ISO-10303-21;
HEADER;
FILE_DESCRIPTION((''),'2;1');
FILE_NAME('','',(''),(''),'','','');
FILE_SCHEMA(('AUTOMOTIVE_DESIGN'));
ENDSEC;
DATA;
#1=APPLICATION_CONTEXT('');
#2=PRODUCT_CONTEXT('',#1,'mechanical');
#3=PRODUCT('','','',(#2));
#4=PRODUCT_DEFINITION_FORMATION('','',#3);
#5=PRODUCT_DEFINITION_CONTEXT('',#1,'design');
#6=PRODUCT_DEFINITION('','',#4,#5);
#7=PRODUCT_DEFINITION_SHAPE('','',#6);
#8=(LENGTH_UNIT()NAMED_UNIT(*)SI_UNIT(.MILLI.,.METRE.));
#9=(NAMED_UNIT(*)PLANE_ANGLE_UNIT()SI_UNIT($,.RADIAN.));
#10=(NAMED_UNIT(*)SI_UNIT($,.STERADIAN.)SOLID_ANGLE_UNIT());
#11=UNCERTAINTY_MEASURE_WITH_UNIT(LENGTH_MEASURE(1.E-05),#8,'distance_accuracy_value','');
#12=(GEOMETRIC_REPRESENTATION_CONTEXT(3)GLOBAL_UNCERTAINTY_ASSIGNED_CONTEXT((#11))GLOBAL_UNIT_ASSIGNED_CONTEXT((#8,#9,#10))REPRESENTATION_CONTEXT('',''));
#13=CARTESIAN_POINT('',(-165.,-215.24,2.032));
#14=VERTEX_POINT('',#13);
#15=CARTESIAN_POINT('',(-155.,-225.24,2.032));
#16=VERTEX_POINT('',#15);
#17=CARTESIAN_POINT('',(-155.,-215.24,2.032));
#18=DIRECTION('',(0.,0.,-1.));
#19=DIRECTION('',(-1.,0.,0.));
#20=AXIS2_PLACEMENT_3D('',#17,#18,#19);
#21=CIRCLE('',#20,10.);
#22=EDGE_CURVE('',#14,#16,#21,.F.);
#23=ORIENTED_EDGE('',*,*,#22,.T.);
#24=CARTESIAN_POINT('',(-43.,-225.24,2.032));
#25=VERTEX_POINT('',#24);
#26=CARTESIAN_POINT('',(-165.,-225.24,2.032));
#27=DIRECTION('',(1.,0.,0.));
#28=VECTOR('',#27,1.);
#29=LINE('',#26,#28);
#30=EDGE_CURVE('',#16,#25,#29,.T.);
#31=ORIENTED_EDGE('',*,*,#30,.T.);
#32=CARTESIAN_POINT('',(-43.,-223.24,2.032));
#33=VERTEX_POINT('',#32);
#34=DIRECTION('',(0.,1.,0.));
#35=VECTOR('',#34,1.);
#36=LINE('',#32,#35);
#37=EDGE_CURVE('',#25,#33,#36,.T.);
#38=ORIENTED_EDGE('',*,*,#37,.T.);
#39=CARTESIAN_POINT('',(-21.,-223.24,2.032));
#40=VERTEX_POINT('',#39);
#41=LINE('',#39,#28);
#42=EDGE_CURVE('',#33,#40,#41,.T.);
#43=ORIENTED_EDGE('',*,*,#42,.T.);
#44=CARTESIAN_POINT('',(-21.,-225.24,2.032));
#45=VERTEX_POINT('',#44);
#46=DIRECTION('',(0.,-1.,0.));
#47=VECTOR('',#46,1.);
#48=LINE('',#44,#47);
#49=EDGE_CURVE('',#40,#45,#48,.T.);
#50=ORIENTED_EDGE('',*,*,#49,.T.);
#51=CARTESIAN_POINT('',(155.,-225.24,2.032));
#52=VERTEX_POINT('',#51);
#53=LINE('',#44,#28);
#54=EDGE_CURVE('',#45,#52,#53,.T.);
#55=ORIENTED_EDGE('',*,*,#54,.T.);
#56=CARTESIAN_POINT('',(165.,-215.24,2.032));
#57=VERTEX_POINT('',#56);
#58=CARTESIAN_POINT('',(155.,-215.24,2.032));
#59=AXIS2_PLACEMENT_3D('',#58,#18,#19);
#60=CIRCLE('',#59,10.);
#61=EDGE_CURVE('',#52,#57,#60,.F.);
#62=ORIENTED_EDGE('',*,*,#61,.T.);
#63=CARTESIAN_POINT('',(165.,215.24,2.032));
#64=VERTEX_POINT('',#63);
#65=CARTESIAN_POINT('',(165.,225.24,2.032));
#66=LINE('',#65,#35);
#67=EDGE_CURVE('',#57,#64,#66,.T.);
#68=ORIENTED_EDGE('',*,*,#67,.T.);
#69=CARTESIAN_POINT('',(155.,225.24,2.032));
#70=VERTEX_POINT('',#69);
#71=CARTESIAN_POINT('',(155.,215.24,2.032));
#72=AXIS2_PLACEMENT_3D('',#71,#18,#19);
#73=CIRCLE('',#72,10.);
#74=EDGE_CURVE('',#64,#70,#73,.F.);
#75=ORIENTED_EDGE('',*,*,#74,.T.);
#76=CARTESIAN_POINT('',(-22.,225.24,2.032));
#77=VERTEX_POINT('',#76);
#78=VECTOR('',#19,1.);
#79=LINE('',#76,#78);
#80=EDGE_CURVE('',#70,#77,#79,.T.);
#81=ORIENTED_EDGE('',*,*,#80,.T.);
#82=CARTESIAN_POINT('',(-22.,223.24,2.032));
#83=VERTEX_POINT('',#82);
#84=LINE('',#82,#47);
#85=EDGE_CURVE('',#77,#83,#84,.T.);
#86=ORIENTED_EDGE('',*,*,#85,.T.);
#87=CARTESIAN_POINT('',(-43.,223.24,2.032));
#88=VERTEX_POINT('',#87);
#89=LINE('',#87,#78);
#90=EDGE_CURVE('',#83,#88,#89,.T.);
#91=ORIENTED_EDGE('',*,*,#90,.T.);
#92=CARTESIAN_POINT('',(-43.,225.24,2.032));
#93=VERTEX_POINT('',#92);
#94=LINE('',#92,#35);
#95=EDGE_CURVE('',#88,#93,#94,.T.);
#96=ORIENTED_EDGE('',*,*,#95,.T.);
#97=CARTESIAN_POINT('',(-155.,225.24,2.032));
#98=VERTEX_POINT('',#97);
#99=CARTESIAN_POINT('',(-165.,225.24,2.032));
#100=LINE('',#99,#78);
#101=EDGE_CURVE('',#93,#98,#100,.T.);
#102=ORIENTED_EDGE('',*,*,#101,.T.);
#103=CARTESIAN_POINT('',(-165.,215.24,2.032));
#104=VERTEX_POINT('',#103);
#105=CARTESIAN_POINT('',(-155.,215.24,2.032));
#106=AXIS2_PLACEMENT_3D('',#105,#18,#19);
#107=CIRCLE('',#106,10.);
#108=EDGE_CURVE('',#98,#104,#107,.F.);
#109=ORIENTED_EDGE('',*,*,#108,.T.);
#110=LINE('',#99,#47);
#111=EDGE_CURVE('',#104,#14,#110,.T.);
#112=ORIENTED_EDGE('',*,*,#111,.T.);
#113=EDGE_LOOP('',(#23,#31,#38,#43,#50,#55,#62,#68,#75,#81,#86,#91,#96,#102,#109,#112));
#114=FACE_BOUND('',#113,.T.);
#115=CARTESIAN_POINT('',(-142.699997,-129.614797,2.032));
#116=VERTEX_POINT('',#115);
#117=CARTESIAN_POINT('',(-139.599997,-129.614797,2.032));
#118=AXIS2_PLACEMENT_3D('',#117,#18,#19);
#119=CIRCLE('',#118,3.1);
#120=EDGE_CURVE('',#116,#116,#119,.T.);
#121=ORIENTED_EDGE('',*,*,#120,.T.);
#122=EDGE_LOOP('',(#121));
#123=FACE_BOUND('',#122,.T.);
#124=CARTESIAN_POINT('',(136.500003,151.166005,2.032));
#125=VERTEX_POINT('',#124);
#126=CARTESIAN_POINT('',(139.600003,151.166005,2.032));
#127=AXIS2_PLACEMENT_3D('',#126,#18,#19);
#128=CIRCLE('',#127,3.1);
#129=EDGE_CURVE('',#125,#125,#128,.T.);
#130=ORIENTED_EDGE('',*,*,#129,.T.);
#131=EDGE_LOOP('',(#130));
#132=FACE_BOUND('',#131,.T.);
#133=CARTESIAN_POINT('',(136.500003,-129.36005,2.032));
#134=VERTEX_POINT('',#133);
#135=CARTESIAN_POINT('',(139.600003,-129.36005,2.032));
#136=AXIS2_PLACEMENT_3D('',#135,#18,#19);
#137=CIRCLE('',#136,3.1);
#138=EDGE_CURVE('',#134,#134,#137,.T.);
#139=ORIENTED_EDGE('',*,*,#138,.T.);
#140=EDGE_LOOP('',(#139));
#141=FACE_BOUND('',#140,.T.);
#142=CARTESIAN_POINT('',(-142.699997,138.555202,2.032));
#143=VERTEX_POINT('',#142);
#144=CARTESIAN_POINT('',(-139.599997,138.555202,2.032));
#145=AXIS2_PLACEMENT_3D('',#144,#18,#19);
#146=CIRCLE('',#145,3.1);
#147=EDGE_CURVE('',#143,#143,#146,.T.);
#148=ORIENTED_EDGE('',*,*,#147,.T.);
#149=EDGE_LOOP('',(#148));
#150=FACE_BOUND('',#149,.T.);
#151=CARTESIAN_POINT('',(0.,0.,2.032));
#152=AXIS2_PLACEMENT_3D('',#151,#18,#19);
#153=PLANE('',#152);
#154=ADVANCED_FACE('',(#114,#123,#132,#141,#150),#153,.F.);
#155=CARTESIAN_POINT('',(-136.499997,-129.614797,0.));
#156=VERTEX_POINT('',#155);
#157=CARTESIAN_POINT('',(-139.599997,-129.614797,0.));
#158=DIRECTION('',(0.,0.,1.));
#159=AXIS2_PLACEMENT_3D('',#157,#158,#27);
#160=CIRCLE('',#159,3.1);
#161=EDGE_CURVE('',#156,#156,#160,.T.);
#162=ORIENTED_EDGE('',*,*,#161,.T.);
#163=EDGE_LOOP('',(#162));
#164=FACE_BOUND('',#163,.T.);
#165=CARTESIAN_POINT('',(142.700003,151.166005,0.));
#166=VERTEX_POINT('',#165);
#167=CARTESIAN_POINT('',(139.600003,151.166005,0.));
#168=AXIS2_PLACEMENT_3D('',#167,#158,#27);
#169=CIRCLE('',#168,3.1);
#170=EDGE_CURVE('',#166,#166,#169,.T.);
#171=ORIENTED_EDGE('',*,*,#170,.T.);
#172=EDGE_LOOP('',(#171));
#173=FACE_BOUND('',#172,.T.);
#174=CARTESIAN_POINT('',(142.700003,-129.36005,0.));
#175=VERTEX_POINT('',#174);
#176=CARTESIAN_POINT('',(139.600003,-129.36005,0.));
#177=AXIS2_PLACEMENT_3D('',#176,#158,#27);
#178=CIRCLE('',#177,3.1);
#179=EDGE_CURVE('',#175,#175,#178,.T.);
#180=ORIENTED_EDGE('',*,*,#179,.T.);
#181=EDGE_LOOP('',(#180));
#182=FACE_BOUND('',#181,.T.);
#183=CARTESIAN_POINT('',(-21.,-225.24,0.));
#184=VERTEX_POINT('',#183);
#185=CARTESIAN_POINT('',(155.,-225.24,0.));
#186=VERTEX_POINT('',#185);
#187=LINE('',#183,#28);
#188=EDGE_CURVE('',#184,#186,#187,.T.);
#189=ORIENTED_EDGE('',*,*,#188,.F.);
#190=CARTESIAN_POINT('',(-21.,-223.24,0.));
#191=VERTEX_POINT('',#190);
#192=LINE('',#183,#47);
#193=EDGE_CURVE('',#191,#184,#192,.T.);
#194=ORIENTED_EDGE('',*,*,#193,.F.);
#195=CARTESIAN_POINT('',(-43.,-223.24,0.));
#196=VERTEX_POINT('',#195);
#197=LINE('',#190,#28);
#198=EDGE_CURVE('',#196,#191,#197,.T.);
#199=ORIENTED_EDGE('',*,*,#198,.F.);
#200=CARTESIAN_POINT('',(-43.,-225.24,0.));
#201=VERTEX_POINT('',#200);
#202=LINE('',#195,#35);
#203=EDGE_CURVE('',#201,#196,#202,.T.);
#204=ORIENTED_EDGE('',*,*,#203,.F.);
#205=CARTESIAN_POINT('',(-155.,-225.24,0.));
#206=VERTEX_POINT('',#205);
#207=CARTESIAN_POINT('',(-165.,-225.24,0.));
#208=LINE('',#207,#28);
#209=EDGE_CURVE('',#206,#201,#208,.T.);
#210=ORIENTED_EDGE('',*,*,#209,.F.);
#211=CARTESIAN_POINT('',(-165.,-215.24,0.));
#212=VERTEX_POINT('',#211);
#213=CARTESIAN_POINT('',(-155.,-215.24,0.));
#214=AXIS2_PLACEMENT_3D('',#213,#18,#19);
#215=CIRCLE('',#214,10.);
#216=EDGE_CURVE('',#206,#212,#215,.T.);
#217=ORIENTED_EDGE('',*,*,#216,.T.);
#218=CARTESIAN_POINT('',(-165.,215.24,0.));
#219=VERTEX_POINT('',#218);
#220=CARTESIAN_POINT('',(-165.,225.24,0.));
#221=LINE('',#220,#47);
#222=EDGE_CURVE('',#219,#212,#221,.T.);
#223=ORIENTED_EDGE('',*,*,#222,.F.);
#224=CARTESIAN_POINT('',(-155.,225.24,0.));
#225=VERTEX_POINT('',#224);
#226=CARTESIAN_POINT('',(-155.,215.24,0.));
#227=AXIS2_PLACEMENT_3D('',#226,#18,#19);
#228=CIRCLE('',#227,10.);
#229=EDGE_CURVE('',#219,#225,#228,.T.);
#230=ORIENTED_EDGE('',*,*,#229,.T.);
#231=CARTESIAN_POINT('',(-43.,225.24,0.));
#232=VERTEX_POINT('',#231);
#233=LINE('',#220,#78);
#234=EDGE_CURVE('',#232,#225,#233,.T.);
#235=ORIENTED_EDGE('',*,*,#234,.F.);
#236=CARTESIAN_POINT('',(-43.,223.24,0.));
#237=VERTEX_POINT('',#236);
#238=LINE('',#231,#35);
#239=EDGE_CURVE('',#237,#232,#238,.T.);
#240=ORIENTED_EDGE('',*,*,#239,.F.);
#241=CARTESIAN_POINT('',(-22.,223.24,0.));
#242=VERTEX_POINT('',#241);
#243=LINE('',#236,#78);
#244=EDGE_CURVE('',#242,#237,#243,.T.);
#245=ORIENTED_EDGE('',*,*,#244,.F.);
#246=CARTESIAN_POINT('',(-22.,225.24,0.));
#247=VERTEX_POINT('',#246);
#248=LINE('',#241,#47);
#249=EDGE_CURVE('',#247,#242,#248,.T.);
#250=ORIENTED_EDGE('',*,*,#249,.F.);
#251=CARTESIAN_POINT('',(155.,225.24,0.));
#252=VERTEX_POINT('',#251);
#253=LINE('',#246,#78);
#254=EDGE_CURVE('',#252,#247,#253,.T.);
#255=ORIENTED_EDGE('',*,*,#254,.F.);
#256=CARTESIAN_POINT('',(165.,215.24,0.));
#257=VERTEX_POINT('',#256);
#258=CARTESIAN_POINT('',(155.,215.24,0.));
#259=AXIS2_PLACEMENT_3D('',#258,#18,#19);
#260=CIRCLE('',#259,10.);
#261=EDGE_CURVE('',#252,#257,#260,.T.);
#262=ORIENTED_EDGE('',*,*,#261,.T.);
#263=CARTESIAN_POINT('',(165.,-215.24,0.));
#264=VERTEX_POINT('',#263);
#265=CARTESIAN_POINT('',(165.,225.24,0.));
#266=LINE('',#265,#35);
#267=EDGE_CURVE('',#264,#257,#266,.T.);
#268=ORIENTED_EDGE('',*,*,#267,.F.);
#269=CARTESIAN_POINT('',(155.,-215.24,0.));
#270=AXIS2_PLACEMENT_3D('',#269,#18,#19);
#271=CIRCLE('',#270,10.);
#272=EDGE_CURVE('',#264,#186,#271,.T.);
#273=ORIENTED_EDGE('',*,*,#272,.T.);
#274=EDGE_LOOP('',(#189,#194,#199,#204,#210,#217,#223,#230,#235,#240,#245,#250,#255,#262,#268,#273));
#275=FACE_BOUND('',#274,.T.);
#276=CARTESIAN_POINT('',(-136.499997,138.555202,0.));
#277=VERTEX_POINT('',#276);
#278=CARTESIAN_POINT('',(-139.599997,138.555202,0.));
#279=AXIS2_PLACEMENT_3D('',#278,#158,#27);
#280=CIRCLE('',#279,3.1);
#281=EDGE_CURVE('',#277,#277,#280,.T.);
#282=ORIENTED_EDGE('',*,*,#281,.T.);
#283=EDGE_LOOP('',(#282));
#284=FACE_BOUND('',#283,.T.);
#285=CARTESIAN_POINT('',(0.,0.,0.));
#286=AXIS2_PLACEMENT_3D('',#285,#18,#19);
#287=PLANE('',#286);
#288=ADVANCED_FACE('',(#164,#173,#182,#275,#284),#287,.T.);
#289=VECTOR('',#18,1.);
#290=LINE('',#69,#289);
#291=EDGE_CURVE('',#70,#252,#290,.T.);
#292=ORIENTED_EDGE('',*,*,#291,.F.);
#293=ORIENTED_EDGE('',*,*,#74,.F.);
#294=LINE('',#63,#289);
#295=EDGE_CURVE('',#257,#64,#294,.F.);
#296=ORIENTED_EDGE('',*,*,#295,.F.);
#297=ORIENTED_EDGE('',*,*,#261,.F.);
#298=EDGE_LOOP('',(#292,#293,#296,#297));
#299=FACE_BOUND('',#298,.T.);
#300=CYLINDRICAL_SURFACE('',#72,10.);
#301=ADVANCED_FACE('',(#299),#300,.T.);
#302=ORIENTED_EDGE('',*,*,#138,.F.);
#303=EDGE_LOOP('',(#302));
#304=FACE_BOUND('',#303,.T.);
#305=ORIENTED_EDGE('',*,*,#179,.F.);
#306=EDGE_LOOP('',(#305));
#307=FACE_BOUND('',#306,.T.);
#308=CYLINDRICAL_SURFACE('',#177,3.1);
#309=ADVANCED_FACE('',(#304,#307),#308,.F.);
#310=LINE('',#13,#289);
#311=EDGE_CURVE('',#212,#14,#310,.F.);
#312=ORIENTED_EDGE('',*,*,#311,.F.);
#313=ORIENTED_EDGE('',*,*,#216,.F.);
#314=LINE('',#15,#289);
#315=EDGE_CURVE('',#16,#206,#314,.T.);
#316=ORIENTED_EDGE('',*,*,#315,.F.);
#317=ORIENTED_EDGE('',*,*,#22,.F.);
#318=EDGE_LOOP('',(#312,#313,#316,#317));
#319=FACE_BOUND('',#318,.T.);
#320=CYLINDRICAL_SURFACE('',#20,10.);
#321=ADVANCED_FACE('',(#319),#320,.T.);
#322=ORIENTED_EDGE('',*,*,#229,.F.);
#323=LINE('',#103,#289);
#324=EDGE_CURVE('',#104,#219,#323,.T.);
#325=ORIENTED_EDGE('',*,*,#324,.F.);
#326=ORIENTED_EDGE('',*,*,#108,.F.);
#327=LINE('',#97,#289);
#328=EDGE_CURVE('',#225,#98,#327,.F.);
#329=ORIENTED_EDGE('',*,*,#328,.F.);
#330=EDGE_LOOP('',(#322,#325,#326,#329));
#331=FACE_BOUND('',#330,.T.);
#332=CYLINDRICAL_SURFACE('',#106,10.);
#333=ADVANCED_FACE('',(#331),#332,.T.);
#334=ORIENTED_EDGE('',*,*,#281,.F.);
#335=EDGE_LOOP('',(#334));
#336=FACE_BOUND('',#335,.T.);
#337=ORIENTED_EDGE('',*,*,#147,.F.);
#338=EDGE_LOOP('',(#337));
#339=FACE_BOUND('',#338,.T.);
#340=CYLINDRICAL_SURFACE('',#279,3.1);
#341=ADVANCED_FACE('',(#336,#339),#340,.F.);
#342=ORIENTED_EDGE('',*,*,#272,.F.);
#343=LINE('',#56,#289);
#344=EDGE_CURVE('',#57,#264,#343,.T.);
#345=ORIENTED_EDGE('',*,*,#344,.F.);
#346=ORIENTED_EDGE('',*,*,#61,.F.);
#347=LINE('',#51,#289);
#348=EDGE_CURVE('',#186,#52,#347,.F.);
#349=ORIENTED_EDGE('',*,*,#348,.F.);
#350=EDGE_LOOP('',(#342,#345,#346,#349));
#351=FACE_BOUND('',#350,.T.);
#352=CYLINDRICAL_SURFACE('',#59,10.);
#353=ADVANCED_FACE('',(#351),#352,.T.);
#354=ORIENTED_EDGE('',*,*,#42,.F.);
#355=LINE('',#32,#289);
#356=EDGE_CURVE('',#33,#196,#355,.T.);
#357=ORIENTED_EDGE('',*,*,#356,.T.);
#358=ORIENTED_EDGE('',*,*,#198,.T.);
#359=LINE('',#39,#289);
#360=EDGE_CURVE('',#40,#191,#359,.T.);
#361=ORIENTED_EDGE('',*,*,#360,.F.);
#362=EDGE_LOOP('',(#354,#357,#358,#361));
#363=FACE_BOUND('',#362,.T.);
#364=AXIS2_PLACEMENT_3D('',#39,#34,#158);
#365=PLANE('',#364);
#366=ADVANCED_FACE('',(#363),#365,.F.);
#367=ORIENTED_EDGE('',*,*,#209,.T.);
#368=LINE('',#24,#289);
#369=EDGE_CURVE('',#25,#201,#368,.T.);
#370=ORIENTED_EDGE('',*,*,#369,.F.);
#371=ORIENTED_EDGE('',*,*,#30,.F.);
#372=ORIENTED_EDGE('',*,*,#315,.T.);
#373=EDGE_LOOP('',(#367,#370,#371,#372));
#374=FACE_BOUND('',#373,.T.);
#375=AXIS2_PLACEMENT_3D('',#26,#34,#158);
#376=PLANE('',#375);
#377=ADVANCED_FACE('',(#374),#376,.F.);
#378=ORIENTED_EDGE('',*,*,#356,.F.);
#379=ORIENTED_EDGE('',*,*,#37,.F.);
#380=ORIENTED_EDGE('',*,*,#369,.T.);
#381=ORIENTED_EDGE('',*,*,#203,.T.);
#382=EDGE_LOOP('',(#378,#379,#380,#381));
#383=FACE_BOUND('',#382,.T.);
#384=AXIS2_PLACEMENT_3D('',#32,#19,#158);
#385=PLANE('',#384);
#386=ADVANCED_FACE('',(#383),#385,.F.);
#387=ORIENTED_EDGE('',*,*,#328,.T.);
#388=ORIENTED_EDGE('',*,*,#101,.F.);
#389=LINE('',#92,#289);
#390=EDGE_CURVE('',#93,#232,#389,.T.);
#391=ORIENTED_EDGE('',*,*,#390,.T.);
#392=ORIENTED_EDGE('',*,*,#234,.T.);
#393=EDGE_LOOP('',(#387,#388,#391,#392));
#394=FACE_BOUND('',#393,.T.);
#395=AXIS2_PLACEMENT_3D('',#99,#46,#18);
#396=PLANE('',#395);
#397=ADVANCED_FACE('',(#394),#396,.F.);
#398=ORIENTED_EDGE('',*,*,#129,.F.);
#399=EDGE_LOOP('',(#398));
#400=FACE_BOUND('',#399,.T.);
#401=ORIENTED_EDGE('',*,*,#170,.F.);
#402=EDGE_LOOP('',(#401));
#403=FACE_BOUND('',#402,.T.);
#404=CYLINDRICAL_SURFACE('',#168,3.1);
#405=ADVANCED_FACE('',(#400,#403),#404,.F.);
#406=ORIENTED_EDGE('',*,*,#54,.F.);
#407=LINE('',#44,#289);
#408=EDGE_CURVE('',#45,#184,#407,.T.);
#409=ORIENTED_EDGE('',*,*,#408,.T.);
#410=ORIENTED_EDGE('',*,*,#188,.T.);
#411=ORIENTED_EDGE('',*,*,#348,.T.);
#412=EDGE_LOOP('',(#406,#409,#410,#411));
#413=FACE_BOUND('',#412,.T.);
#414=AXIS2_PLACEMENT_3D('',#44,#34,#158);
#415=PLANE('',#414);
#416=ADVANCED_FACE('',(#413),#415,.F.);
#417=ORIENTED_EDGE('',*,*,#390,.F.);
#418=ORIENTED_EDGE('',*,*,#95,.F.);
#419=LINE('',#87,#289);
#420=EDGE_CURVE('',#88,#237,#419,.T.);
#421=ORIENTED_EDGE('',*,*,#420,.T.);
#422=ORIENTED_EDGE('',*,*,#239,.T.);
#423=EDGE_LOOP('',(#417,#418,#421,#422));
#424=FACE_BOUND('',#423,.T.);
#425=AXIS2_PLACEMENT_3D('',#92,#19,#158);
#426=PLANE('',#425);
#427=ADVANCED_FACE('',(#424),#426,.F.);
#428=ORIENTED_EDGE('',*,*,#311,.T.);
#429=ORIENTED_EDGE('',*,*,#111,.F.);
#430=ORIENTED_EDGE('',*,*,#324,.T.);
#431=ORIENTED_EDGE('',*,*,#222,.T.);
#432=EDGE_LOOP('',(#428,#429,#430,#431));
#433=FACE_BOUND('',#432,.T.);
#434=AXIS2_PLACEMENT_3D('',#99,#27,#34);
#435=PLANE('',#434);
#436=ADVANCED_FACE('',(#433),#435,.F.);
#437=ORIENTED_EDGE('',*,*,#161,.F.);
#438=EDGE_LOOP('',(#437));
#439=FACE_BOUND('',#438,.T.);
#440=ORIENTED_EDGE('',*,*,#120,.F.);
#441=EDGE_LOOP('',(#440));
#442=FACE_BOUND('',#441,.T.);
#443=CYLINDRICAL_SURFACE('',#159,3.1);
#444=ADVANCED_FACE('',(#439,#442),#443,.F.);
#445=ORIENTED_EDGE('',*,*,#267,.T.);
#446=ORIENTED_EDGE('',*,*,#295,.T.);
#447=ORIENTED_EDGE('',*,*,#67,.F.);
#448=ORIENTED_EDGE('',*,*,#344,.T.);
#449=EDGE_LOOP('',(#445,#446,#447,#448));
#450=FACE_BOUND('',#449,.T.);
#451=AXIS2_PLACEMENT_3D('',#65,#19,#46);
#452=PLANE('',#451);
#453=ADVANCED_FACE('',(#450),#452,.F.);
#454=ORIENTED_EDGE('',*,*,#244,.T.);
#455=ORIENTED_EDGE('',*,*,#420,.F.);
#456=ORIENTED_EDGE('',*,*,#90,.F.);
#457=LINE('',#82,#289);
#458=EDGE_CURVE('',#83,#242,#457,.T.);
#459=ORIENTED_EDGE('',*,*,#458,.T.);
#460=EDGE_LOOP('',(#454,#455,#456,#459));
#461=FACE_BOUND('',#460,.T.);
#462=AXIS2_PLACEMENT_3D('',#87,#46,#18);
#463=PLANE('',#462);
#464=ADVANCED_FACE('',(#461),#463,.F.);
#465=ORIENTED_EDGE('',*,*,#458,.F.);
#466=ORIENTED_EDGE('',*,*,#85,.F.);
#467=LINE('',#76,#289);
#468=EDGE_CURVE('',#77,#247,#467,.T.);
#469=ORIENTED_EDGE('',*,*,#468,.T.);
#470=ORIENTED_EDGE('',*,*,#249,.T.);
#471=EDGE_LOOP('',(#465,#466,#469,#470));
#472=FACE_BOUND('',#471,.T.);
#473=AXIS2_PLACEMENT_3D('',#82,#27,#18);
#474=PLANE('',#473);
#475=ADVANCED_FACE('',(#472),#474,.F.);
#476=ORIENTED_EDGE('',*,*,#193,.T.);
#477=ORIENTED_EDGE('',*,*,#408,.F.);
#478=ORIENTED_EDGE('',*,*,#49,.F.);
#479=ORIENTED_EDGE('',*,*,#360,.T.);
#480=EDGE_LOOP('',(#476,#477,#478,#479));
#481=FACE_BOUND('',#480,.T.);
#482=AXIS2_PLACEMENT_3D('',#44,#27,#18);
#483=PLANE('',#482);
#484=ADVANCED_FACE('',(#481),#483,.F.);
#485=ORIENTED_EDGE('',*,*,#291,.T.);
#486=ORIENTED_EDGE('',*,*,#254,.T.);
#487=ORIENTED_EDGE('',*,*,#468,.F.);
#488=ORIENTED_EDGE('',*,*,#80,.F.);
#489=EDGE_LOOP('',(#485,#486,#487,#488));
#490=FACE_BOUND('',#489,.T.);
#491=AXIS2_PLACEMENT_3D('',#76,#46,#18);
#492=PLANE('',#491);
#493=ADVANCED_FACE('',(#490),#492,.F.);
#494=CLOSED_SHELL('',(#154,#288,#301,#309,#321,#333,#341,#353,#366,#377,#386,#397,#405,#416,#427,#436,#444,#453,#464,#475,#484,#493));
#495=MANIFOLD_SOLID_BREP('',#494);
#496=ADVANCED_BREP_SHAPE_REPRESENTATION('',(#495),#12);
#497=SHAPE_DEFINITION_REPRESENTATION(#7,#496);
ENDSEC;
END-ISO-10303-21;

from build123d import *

# Parameters (mm, degrees)
BOSS_EXTRUDE1_DEPTH     = 2.032
CUT_EXTRUDE5_DEPTH      = 280.217095866
CUT_EXTRUDE5_DEPTH_BACK = 280.217095866
SKETCH7_R               = 3.1
FILLET4_R               = 10


with BuildPart() as part:
    # Sketch2 → Boss-Extrude1 (new body)
    with BuildSketch(Plane.XY):
        Polygon((-43, 225.24), (-43, 223.24), (-22, 223.24), (-22, 225.24), (165, 225.24), (165, -225.24), (-21, -225.24), (-21, -223.24), (-43, -223.24), (-43, -225.24), (-165, -225.24), (-165, 225.24), align=None)
    extrude(amount=BOSS_EXTRUDE1_DEPTH)

    # Sketch7 → Cut-Extrude5 (cut, two sides: drawn at the far end of the back side and taken through both)
    with BuildSketch(Plane.XY.offset(2.032).offset(-CUT_EXTRUDE5_DEPTH_BACK)):
        with Locations((-139.599996944, -129.61479672)):
            Circle(SKETCH7_R)
        with Locations((-139.599996944, 138.555201517)):
            Circle(SKETCH7_R)
        with Locations((139.600003056, 151.166005167)):
            Circle(SKETCH7_R)
        with Locations((139.600003056, -129.360049889)):
            Circle(SKETCH7_R)
    extrude(amount=CUT_EXTRUDE5_DEPTH + CUT_EXTRUDE5_DEPTH_BACK, mode=Mode.SUBTRACT)

    # Fillet4
    fillet4_edges = [part.edges().sort_by_distance(p)[0] for p in [
        (-165, -225.24, 1.016),
        (-165, 225.24, 1.016),
        (165, 225.24, 1.016),
        (165, -225.24, 1.016),
    ]]
    fillet(fillet4_edges, radius=FILLET4_R)


solid = part.part
